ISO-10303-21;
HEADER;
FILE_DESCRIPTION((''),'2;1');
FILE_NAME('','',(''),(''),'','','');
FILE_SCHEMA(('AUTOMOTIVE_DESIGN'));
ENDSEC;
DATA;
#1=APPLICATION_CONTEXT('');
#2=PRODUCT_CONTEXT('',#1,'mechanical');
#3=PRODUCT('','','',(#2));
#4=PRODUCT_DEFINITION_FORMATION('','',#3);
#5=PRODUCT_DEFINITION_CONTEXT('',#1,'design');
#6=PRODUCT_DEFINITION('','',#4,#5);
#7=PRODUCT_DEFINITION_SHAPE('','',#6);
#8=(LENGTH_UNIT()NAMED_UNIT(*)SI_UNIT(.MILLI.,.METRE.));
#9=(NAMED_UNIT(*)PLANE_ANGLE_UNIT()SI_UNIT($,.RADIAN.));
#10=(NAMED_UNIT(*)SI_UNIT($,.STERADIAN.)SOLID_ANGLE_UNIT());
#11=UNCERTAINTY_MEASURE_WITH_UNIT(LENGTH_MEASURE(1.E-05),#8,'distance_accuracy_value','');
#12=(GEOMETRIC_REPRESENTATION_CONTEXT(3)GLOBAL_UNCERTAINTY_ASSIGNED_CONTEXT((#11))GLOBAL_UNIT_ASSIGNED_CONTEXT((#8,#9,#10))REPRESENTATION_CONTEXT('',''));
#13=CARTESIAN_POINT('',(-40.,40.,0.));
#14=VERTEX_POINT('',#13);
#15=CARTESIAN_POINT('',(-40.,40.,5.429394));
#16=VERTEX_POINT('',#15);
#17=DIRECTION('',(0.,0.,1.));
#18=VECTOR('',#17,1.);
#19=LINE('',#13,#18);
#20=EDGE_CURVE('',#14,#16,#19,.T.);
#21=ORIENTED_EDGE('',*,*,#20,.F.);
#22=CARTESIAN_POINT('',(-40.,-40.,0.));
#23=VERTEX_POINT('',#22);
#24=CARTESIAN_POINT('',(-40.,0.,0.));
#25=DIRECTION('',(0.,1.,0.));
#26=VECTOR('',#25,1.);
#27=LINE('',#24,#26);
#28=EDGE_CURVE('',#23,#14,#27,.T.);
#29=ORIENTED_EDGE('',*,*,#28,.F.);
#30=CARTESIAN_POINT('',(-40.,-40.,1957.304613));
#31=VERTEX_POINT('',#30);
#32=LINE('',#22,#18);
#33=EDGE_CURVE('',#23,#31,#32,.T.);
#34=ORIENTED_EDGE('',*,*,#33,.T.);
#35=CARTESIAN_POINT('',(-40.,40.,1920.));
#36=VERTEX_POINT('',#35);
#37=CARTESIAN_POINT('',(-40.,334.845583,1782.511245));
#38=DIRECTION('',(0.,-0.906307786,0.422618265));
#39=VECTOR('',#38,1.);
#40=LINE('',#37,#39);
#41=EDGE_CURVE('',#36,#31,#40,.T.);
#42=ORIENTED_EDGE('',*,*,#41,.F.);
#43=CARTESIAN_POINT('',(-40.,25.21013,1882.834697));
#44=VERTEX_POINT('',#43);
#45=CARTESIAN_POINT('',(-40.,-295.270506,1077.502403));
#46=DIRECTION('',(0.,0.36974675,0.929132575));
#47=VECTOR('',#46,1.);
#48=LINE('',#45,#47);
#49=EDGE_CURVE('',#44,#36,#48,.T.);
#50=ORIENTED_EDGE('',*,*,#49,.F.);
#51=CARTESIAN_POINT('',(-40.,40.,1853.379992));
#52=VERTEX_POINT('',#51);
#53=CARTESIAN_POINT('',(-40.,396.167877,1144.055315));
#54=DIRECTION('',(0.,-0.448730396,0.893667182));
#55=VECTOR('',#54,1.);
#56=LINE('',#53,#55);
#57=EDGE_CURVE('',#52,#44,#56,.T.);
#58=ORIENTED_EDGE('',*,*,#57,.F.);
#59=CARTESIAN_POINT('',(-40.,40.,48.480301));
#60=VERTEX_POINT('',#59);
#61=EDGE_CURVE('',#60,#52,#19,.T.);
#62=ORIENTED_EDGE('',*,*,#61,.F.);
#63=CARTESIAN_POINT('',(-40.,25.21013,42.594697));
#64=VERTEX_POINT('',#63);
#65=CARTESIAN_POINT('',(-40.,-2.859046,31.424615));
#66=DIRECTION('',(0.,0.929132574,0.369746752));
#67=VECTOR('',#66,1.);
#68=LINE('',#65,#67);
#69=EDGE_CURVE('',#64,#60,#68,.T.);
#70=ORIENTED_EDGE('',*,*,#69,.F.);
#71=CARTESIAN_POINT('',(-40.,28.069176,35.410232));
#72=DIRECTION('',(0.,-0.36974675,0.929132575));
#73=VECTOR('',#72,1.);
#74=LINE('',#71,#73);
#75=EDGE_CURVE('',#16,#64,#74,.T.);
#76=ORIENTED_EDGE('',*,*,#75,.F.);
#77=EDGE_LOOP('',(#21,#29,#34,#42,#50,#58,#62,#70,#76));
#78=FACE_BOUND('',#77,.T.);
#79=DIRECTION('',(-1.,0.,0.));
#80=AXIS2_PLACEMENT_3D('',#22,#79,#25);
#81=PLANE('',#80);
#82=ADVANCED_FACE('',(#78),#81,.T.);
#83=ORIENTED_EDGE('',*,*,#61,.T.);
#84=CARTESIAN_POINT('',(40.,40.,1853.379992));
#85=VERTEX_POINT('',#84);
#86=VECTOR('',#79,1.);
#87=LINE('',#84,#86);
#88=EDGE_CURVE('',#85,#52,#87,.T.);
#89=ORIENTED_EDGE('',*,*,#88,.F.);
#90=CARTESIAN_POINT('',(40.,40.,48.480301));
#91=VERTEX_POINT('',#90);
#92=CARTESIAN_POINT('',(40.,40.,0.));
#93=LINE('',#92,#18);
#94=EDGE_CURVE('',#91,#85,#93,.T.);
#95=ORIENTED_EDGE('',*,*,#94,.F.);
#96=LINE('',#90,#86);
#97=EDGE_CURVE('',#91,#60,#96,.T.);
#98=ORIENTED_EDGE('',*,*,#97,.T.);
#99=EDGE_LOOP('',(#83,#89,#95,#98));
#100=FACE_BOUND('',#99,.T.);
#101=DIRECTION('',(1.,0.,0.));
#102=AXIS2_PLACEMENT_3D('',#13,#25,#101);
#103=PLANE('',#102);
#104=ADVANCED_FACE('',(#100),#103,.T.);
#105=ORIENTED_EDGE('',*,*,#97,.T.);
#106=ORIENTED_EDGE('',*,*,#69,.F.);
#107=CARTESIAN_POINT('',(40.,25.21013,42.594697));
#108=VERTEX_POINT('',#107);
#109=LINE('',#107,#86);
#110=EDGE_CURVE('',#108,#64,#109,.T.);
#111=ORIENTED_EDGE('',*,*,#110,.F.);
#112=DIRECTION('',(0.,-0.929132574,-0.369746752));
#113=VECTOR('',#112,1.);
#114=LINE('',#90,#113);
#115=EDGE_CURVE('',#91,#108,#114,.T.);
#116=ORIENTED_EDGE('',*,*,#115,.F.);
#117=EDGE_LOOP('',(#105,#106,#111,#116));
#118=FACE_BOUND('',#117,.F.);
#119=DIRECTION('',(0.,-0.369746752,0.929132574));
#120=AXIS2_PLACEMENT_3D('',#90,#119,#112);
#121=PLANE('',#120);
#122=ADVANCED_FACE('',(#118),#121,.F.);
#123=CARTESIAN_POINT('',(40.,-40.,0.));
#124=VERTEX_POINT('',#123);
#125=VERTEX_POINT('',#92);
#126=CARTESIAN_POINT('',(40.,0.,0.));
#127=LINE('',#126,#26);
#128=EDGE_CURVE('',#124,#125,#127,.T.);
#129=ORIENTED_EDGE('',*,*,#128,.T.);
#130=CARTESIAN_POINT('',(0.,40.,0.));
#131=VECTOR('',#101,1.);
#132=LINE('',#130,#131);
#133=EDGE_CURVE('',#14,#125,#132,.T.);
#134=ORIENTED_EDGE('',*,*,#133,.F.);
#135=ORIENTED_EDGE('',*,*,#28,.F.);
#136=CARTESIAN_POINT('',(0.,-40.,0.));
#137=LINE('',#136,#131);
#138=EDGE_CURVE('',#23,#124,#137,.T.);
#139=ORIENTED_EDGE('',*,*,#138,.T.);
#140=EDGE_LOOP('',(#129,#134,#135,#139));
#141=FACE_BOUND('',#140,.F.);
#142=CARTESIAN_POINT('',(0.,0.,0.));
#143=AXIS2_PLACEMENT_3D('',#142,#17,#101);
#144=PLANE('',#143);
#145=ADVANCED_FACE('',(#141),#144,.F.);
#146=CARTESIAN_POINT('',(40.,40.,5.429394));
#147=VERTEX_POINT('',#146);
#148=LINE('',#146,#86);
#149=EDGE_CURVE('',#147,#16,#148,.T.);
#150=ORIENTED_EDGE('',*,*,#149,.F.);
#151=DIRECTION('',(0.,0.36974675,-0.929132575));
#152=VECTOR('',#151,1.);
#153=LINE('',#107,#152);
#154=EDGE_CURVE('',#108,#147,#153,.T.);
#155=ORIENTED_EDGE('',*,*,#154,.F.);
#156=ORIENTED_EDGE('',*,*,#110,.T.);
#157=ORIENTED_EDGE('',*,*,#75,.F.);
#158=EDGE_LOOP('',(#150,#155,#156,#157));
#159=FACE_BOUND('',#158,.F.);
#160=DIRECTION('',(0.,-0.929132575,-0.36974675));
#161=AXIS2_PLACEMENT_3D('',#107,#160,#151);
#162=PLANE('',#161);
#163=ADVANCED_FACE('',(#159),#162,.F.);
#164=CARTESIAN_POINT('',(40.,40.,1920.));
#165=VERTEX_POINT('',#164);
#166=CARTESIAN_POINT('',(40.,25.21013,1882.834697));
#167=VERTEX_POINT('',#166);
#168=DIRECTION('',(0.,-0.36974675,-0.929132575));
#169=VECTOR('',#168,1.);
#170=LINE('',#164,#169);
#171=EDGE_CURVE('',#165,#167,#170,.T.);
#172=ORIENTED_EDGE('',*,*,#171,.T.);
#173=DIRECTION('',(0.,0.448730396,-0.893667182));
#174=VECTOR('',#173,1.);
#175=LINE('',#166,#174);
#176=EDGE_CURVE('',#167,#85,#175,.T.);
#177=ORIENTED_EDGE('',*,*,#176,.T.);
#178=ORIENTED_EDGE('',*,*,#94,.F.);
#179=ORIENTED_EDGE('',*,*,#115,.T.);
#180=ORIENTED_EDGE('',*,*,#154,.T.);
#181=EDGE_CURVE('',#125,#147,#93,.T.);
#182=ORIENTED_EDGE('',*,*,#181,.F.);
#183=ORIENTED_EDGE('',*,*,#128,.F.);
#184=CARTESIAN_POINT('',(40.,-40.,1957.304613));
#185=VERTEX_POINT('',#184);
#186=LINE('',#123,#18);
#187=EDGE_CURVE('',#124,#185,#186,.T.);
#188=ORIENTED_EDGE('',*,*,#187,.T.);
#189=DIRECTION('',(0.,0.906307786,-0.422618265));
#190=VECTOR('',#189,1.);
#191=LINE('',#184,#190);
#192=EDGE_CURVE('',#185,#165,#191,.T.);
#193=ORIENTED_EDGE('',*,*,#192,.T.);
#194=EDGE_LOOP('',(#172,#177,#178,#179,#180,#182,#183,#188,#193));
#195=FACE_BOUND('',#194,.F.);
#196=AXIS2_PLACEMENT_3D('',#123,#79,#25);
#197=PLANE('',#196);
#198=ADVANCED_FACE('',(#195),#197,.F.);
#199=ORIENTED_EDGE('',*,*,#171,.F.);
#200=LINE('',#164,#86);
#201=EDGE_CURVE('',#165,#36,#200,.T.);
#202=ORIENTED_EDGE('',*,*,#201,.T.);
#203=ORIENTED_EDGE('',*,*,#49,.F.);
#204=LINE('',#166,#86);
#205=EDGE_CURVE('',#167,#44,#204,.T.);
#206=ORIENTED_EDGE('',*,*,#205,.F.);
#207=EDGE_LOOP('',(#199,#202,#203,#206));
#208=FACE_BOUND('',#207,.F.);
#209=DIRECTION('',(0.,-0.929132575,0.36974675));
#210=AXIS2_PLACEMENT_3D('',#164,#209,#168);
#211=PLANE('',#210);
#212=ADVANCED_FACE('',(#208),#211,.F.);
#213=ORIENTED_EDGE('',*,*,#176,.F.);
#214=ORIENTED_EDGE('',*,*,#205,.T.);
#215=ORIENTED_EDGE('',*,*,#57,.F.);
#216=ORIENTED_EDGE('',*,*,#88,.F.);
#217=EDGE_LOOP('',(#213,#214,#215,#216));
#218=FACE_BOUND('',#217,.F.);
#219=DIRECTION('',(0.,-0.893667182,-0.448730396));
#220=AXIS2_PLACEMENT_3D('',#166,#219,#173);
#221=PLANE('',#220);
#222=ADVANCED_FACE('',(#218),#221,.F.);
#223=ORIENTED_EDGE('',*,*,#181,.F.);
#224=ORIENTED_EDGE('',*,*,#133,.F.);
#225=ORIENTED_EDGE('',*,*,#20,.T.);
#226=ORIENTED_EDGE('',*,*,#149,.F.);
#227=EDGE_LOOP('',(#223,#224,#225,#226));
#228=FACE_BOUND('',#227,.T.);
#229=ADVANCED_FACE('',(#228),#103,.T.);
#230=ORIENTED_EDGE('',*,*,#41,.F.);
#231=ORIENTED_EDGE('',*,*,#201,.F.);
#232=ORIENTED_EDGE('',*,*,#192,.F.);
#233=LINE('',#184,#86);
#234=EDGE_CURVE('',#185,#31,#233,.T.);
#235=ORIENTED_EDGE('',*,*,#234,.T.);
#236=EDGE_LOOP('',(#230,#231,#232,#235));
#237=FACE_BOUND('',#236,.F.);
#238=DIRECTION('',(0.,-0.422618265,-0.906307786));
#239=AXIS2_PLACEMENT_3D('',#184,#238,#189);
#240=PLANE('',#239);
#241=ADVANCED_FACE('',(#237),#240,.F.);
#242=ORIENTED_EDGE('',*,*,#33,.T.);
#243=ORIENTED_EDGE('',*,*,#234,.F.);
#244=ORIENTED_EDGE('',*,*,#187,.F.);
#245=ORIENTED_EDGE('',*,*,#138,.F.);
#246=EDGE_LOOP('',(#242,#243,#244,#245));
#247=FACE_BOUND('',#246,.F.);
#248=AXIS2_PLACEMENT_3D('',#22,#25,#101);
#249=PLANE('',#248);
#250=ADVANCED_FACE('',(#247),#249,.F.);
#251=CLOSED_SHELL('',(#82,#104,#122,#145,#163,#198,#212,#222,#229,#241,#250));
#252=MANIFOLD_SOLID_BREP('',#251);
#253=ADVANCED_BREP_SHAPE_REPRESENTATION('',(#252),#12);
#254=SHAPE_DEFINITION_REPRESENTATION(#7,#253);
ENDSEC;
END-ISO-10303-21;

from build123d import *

# Parameters (mm, degrees)
F0_W     = 80
F0_H     = 80
F1_DEPTH = 2000
F3_DEPTH = 80.001


with BuildPart() as f1:
    # F0 (on Top) → F1 (new body)
    with BuildSketch(Plane.XY):
        Rectangle(F0_W, F0_H)
    extrude(amount=F1_DEPTH)

    # F2 (on face) → F3 (cut, through all)
    with BuildSketch(Plane.YZ.offset(40)):
        Polygon((40, 1853.379992), (40, 1920), (25.21013, 1882.834697), align=None)
        Polygon((25.21013, 42.594697), (40, 5.429394), (40, 48.480301), align=None)
        Polygon((-40, 2000), (-40, 1957.304613), (40, 1920), (40, 2000), align=None)
    extrude(amount=-F3_DEPTH, mode=Mode.SUBTRACT)


solid = f1.part
